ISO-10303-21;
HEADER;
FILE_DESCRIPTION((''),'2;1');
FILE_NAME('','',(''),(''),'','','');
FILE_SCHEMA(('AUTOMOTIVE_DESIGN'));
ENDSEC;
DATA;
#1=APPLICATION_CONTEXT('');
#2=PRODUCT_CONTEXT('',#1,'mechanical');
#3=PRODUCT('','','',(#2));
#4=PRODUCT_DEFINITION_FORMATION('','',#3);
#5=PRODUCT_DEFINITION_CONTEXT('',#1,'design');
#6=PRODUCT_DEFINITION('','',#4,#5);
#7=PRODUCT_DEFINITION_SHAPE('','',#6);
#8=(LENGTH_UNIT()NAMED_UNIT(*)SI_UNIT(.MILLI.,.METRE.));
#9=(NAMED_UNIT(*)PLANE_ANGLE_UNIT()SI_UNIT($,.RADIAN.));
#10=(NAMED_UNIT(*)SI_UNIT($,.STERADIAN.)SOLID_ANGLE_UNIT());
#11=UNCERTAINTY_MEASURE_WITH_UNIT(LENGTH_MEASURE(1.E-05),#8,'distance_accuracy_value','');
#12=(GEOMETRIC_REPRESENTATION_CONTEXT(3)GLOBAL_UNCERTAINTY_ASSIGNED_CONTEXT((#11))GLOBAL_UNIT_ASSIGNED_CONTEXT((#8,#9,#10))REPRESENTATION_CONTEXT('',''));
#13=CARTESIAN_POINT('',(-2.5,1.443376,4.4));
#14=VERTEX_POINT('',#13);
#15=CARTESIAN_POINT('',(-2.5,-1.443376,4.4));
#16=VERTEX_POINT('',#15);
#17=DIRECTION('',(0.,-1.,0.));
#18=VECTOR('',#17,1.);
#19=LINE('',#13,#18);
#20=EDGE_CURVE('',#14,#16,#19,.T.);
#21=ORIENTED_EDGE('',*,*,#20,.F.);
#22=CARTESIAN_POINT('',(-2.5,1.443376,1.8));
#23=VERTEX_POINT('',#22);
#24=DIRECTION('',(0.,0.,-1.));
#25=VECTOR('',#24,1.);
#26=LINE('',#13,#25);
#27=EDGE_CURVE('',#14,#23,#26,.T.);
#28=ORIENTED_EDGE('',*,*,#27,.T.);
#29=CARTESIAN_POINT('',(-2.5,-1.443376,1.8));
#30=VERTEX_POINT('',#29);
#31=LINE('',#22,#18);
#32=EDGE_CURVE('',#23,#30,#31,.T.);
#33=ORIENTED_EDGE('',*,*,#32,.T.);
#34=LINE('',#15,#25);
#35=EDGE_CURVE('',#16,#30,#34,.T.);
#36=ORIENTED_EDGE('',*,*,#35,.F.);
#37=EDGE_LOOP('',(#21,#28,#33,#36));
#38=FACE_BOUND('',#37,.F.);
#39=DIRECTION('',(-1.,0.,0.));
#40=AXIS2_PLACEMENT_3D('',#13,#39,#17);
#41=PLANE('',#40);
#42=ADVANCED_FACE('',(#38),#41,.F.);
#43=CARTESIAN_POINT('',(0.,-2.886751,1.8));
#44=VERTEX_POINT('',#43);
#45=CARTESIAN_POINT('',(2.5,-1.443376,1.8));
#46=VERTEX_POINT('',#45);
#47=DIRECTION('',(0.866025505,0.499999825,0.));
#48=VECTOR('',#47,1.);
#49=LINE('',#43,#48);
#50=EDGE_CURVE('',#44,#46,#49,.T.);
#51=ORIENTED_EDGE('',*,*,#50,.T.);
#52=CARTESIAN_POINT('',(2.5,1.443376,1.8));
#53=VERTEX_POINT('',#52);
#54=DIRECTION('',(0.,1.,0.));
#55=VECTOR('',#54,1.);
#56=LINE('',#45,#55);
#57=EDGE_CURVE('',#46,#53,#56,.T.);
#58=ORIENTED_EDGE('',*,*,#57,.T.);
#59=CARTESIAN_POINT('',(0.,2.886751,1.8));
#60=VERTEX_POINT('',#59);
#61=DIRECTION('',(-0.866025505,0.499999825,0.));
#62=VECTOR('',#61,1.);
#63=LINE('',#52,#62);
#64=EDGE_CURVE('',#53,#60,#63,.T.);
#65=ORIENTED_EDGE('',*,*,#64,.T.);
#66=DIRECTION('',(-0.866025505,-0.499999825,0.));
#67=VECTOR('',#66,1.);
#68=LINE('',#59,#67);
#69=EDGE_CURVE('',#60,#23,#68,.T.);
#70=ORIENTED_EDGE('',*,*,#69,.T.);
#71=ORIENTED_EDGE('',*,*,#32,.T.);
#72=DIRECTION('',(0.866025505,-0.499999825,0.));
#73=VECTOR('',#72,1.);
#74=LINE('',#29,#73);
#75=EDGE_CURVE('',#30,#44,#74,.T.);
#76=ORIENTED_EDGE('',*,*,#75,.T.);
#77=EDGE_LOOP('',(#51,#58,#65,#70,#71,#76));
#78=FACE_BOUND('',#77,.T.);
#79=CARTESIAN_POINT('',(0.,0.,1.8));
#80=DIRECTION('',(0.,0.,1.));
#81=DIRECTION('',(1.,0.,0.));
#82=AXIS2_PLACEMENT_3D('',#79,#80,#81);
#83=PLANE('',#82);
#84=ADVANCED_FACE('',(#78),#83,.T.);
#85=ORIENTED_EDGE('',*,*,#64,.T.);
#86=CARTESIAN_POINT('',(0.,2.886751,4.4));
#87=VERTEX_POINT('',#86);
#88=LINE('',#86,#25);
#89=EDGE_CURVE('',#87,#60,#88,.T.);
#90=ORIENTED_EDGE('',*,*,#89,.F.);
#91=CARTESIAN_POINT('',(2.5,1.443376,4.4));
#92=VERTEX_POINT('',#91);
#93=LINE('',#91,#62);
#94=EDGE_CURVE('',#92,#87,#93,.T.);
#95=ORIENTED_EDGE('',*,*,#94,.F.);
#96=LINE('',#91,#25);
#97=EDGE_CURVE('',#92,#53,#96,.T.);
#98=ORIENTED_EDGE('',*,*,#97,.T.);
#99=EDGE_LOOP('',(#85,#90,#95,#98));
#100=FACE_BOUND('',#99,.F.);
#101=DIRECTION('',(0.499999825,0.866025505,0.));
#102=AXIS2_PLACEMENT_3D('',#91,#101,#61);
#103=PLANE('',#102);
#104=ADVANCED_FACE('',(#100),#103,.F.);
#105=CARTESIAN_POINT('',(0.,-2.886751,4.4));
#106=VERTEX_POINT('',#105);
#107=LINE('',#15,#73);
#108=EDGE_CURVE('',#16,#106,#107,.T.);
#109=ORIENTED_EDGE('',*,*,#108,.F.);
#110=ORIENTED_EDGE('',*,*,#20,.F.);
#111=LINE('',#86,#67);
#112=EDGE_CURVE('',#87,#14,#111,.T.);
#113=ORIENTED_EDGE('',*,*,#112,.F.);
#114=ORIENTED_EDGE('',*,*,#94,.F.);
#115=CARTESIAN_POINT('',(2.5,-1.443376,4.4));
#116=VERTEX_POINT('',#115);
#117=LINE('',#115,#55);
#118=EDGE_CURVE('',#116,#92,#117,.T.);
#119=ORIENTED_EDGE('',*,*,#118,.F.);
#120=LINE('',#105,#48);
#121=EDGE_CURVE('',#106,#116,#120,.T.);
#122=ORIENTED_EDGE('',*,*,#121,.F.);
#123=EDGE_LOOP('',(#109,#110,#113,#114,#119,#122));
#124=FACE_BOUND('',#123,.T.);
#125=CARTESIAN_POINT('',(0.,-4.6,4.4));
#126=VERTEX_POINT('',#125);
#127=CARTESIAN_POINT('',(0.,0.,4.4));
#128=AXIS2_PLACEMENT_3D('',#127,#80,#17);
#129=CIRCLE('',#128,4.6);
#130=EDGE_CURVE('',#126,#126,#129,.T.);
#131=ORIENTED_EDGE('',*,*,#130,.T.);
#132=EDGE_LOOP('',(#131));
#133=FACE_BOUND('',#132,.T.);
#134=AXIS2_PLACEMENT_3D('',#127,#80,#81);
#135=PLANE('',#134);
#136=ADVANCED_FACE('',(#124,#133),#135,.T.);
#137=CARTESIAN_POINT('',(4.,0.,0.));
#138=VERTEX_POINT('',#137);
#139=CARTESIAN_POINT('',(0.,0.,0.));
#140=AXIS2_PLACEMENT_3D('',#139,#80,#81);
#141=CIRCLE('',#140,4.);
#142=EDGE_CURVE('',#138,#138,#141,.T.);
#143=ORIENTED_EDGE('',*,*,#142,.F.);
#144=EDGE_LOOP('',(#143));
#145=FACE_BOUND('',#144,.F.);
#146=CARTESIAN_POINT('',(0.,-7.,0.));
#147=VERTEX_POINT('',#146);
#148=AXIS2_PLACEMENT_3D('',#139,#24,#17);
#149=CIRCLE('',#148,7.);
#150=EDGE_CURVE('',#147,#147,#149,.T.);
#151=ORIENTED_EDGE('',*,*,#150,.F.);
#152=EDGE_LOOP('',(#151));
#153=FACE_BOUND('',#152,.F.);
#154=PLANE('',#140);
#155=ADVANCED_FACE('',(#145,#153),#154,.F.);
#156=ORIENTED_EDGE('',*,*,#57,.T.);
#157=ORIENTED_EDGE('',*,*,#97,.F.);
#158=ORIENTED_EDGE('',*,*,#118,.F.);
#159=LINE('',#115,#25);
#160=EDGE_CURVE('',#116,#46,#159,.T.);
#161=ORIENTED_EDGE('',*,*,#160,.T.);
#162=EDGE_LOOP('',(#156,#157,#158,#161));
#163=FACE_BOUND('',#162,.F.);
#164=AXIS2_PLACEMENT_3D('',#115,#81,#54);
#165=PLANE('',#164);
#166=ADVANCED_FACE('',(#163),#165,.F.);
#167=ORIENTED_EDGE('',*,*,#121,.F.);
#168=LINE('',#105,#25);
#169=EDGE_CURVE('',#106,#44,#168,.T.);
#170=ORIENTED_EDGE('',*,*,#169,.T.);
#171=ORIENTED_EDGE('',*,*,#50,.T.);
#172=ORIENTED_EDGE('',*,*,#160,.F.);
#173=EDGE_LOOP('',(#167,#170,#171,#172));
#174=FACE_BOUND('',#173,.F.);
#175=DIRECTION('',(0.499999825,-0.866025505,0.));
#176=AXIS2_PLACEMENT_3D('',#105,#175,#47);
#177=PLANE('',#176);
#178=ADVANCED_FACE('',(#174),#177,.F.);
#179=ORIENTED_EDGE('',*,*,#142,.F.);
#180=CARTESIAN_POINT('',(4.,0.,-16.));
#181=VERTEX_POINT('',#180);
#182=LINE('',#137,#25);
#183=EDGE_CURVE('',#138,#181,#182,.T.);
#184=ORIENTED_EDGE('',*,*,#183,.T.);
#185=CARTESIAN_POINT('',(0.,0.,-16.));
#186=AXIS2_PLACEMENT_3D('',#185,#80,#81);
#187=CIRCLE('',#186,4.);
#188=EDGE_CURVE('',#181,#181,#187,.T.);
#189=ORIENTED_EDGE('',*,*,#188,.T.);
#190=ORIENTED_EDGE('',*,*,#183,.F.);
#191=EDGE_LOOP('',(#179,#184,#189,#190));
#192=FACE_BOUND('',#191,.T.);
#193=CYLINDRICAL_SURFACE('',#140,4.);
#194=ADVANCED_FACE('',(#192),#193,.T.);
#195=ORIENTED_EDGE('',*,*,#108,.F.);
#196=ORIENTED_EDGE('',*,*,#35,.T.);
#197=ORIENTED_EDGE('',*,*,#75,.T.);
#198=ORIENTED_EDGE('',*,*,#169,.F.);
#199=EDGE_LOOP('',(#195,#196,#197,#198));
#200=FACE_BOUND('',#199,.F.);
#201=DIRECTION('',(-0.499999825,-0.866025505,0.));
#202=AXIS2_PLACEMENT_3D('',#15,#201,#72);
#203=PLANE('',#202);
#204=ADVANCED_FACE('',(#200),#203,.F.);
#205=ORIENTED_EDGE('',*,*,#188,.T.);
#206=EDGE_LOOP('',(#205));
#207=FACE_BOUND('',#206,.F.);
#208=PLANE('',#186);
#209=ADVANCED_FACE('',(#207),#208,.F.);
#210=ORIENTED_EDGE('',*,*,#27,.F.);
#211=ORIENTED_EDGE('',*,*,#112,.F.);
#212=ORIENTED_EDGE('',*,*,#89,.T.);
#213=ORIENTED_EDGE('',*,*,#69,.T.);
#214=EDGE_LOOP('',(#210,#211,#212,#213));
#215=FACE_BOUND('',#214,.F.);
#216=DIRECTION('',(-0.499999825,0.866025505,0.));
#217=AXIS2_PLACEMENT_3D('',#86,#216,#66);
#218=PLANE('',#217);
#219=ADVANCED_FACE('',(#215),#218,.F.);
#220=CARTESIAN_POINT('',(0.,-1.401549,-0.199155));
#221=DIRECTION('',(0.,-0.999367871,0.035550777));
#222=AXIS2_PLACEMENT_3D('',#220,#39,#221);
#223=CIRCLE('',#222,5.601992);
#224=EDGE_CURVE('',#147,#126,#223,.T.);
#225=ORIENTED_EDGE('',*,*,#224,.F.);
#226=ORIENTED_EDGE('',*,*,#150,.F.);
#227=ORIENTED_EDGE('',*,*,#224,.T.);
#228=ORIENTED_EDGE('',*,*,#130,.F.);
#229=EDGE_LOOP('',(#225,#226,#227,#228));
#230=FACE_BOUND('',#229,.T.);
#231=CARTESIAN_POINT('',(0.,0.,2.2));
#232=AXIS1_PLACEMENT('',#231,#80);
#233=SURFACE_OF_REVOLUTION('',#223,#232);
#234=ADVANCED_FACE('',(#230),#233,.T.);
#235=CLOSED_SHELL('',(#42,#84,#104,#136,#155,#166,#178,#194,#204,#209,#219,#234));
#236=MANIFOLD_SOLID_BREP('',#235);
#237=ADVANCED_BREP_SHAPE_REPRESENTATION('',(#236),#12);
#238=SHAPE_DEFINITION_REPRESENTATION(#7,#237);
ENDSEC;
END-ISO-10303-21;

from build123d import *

# Parameters (mm, degrees)
F0_R     = 7
F1_DEPTH = 4.4
F3_DEPTH = 2.6
F6_R     = 4
F7_DEPTH = 16


with BuildPart() as f1:
    # F0 (on Top) → F1 (new body)
    with BuildSketch(Plane.XY):
        Circle(F0_R)
    extrude(amount=F1_DEPTH)

    # F2 (on face) → F3 (cut)
    with BuildSketch(Plane.XY.offset(4.4)):
        Polygon((2.5, -1.443376), (2.5, 1.443376), (0, 2.886751), (-2.5, 1.443376), (-2.5, -1.443376), (0, -2.886751), align=None)
    extrude(amount=-F3_DEPTH, mode=Mode.SUBTRACT)

    # F4 (on Right) → F5 (revolve, cut)
    with BuildSketch(Plane.YZ):
        with BuildLine():
            Line((-7, 4.4), (-7, 0))
            ThreePointArc((-7, 0), (-6.319513, 2.483371), (-4.6, 4.4))
            Line((-4.6, 4.4), (-7, 4.4))
        make_face()
    revolve(axis=Axis((0, 0, 2.2), (0, 0, 1)), mode=Mode.SUBTRACT)

    # F6 (on Top) → F7 (join)
    with BuildSketch(Plane.XY):
        Circle(F6_R)
    extrude(amount=-F7_DEPTH)


solid = f1.part
